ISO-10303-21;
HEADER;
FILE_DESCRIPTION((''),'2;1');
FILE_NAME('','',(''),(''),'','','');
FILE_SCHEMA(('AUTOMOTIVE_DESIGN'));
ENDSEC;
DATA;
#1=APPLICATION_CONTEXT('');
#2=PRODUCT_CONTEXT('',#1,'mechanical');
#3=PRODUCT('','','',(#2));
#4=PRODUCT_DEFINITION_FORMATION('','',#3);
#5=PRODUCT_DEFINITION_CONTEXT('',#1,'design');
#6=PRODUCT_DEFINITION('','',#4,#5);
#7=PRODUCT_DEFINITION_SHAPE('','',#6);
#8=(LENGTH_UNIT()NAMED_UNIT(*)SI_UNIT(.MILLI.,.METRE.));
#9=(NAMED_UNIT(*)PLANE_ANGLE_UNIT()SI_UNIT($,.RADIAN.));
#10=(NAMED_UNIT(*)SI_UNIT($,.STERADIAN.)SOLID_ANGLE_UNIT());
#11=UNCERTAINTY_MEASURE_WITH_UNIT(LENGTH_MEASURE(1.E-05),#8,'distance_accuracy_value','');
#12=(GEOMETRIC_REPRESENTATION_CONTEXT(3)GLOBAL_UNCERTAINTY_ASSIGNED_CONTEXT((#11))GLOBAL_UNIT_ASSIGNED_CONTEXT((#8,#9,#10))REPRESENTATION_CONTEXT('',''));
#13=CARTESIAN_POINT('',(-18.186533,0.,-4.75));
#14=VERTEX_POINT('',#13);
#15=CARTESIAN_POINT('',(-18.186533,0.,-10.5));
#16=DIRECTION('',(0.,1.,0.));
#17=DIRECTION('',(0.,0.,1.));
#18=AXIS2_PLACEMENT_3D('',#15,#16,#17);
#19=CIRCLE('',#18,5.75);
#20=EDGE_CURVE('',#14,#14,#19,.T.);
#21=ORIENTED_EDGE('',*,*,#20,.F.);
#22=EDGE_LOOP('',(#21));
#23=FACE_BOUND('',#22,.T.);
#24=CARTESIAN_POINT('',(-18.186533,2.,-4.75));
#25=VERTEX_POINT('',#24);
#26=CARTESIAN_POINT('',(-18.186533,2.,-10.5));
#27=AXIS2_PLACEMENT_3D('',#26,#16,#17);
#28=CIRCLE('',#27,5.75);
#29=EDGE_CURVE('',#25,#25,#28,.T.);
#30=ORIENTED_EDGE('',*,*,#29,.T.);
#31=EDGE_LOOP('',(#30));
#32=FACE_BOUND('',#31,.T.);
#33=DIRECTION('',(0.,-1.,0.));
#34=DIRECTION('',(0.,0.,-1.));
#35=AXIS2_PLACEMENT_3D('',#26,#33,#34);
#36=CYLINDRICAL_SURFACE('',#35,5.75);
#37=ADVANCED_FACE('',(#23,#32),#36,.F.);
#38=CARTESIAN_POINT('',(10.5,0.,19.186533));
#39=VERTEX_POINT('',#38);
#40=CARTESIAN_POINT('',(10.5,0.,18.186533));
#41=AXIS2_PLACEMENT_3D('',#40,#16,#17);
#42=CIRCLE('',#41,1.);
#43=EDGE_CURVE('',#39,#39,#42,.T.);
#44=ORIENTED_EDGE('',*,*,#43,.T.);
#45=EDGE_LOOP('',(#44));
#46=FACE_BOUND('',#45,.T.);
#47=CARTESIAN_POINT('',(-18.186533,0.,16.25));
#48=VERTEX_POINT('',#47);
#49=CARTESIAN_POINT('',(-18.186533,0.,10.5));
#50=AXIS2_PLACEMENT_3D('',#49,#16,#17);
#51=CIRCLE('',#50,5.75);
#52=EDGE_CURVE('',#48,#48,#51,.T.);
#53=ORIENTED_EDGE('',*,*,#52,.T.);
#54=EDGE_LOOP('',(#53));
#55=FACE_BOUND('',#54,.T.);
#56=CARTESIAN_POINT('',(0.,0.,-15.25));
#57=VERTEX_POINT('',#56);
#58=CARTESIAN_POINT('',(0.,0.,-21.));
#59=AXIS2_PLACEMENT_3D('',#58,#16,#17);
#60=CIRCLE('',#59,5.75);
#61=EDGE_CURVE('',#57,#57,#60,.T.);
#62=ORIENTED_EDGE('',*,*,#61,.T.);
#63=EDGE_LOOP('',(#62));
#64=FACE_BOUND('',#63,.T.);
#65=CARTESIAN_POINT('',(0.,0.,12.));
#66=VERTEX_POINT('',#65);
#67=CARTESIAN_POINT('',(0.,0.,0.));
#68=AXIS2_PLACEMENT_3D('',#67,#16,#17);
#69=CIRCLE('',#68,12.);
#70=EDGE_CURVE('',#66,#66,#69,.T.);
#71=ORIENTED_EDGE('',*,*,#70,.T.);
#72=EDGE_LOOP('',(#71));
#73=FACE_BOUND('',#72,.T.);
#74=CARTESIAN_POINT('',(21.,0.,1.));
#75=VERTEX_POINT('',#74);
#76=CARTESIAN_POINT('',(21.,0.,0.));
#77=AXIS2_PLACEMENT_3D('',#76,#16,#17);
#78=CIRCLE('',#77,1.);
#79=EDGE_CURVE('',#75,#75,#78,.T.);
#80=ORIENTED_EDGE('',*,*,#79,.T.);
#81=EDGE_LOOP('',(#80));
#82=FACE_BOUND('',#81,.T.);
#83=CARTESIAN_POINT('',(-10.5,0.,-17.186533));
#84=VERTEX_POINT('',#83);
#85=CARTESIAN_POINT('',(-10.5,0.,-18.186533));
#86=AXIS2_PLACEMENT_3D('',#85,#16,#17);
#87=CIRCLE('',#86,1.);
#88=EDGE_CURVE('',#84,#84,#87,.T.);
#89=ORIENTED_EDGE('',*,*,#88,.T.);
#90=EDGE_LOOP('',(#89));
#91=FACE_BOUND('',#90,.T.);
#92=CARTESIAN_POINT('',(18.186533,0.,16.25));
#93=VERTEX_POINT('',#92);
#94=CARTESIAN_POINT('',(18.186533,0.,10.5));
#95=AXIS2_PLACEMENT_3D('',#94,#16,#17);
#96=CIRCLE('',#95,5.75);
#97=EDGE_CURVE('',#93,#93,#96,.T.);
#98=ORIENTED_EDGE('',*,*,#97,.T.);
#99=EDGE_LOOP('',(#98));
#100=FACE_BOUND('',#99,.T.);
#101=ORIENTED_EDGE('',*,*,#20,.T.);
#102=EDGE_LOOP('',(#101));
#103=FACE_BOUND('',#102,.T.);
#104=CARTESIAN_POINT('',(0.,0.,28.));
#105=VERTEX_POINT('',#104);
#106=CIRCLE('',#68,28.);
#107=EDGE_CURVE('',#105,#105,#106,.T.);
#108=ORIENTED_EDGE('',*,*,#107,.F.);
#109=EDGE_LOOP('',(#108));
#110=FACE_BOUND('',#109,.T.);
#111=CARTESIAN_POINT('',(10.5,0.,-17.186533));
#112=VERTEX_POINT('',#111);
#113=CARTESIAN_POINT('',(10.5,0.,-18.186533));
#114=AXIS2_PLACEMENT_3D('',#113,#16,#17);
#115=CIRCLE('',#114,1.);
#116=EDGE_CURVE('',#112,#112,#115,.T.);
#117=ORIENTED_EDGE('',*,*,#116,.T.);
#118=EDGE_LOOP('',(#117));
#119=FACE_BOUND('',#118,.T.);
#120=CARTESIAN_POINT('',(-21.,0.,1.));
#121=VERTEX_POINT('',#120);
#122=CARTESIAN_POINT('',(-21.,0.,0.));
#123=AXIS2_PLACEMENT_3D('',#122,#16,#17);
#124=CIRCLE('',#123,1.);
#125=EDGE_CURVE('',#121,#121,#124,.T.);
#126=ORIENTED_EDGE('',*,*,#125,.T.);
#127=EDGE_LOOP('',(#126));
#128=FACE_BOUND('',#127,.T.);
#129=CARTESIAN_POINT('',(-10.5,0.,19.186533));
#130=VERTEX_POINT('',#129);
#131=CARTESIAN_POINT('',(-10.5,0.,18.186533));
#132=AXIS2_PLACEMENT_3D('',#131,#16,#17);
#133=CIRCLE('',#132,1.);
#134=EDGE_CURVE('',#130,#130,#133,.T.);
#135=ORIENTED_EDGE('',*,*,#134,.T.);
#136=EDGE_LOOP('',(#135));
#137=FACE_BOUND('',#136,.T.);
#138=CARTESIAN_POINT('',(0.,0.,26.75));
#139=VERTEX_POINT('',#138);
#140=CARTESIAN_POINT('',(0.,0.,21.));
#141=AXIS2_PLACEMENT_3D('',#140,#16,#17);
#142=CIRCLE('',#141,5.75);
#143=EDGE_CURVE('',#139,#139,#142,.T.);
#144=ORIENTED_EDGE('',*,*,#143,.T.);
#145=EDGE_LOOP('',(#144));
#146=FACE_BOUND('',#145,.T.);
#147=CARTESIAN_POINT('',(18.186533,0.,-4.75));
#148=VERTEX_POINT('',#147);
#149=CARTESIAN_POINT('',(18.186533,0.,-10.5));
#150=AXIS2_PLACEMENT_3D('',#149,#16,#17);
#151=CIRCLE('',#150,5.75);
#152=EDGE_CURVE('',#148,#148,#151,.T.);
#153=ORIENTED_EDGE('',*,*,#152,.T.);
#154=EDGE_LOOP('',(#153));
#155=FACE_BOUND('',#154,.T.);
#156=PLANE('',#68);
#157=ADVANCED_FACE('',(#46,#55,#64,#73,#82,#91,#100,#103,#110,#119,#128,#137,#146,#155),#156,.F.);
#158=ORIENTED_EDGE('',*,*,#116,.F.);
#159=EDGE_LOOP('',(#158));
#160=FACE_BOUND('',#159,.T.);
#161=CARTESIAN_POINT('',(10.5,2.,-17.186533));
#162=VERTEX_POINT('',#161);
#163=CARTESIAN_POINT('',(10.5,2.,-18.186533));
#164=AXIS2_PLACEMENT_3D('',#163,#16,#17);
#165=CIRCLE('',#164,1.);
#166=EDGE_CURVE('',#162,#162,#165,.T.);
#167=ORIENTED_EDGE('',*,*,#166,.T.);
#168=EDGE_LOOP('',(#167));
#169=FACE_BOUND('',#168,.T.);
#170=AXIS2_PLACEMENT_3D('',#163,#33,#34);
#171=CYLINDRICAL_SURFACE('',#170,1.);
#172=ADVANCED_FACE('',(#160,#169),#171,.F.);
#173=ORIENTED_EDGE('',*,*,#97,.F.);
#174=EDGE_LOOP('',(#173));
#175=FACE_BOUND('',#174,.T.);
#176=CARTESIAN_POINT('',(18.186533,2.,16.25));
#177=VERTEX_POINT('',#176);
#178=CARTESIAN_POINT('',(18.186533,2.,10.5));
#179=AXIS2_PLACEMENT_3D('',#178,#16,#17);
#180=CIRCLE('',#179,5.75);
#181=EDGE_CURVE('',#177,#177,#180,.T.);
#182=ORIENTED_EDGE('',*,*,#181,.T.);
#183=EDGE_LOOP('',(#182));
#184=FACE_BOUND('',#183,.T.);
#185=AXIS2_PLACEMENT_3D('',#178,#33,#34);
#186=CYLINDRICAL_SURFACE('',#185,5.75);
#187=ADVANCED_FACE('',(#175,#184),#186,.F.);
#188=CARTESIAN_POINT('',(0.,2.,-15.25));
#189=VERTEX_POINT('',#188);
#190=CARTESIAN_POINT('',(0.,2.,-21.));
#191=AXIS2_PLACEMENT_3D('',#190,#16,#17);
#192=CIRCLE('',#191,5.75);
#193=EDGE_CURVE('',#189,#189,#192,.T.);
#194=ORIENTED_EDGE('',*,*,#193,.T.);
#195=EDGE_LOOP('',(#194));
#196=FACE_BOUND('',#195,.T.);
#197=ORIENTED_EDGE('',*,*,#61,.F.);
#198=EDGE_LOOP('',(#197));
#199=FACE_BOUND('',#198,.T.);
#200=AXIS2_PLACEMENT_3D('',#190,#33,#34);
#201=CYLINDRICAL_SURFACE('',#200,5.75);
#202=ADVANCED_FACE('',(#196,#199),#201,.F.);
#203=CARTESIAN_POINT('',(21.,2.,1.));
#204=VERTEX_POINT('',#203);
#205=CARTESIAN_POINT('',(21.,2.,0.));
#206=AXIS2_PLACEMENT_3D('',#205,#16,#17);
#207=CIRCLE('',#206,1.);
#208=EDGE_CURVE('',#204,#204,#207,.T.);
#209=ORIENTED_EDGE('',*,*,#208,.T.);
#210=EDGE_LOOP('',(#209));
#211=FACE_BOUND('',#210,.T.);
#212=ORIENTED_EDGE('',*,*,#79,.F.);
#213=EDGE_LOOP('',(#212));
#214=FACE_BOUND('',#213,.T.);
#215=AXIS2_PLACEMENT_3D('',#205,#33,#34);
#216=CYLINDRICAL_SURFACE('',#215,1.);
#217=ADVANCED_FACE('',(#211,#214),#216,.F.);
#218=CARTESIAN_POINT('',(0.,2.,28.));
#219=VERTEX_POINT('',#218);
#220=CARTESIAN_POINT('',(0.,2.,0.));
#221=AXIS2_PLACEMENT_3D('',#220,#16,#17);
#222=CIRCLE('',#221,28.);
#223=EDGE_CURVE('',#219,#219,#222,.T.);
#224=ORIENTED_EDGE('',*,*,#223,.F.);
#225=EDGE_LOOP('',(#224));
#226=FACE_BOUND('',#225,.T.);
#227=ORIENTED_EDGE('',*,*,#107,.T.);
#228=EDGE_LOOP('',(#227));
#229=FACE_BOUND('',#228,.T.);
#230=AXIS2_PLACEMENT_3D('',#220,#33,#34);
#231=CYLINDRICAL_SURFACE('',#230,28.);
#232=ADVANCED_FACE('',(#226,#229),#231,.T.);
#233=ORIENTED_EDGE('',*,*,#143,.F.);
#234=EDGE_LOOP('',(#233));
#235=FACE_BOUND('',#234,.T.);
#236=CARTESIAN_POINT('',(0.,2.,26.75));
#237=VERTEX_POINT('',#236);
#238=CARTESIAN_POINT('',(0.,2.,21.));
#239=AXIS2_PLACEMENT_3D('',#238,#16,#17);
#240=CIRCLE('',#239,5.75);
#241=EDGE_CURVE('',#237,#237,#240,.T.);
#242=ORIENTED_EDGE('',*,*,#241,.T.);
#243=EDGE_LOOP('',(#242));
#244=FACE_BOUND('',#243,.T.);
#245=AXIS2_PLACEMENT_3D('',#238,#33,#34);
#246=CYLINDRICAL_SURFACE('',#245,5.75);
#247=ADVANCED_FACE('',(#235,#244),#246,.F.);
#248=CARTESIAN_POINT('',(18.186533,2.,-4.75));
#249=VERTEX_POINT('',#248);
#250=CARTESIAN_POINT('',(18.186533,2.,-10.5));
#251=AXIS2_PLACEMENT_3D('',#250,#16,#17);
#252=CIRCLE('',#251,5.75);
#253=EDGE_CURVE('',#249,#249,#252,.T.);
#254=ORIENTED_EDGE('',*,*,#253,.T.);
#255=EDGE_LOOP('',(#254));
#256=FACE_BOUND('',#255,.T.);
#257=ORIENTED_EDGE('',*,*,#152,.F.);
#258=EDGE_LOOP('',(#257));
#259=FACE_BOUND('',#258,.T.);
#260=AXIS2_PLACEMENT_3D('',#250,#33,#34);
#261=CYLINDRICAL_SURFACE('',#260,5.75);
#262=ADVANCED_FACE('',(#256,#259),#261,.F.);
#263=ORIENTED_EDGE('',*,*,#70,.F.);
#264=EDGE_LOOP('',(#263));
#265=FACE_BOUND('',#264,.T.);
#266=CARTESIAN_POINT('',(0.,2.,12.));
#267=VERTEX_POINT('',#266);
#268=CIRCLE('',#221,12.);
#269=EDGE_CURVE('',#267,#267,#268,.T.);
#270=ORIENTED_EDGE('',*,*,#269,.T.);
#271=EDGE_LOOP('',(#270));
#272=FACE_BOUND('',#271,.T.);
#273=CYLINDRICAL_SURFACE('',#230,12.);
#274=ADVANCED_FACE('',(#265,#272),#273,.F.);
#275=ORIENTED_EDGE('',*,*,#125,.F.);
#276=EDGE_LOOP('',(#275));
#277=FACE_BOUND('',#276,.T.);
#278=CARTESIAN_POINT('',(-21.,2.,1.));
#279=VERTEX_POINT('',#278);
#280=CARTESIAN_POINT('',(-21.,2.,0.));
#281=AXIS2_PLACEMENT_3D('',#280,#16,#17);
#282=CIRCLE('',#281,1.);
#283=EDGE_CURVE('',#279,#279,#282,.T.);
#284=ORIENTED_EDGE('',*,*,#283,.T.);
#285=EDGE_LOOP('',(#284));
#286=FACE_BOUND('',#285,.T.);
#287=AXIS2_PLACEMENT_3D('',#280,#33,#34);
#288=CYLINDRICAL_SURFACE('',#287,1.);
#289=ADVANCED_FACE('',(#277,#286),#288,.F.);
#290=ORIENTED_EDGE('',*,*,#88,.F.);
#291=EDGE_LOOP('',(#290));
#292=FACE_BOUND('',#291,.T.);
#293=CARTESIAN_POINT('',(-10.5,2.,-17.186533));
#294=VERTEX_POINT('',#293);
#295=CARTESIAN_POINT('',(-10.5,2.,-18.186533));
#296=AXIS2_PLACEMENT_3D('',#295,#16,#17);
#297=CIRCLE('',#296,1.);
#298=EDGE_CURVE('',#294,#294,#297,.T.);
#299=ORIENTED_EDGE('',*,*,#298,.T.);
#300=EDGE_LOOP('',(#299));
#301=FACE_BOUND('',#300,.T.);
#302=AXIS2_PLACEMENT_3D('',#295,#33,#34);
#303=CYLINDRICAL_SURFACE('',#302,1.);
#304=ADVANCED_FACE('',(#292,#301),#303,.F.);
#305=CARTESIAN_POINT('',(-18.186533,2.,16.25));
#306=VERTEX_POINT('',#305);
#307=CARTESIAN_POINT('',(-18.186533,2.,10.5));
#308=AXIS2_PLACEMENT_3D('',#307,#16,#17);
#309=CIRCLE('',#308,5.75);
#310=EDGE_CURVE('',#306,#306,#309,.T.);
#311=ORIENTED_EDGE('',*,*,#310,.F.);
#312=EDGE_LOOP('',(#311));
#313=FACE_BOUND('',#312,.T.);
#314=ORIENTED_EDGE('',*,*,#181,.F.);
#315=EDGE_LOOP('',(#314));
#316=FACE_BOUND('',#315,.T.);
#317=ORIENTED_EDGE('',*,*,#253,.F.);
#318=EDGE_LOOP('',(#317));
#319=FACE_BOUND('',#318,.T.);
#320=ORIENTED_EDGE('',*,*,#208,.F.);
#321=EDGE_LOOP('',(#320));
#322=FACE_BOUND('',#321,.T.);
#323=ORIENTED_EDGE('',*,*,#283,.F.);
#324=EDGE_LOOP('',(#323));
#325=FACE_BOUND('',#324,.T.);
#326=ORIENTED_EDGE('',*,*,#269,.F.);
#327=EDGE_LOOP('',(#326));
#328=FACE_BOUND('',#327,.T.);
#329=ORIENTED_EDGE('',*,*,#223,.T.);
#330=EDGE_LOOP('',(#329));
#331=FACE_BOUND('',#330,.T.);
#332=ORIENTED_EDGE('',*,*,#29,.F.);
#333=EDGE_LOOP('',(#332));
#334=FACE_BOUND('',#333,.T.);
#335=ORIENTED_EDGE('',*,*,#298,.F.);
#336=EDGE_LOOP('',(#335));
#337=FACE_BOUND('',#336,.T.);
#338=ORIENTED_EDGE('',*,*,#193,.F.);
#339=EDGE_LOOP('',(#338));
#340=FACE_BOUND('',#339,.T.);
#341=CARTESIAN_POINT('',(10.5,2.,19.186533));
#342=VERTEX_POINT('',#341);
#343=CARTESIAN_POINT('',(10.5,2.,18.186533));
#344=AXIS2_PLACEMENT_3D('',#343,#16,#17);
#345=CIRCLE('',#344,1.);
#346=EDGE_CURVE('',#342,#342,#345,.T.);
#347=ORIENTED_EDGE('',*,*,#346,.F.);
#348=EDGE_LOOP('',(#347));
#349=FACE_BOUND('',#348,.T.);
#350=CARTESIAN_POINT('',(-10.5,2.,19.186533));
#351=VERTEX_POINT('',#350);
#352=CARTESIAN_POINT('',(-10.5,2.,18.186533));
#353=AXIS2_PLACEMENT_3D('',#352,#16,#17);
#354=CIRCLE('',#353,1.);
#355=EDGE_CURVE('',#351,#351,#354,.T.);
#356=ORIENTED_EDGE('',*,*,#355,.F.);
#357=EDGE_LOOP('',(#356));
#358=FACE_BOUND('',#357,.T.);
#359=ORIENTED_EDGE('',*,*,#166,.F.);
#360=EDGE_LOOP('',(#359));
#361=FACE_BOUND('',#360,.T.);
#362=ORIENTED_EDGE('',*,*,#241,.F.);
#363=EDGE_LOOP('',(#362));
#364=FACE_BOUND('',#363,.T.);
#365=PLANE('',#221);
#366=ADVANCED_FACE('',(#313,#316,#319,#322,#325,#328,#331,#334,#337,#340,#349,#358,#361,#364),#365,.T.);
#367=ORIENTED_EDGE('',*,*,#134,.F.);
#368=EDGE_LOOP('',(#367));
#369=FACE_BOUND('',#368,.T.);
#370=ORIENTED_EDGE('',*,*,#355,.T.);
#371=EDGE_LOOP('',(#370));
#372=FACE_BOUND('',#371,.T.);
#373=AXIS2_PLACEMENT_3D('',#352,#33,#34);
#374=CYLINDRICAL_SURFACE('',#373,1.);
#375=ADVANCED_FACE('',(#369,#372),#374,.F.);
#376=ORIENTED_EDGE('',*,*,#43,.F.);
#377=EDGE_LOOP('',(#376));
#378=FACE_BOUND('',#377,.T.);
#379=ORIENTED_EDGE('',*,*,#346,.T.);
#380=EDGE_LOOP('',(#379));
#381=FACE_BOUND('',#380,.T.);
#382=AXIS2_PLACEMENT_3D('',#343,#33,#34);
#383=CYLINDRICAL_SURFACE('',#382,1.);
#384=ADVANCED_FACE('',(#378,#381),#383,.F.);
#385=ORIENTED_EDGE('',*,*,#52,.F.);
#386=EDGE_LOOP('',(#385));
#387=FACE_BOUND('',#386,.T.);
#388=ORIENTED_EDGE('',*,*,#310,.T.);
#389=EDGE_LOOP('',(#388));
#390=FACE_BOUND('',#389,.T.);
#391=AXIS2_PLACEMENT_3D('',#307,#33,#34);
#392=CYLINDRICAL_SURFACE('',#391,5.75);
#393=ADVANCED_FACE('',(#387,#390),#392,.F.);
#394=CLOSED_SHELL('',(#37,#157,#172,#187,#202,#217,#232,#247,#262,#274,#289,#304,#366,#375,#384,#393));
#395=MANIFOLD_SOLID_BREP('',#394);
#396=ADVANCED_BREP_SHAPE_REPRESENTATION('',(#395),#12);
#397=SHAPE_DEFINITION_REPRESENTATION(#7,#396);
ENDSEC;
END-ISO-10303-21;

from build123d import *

# Parameters (mm, degrees)
SKETCH1_R           = 28
SKETCH1_R_2         = 5.75
SKETCH1_R_3         = 1
SKETCH1_R_4         = 12
BOSS_EXTRUDE1_DEPTH = 2


with BuildPart() as part:
    # Sketch1 → Boss-Extrude1 (new body)
    with BuildSketch(Plane(origin=(0, 0, 0), x_dir=(1, 0, 0), z_dir=(0, 1, 0))):
        with Locations(Location((0, 0, 0), (0, 0, 270))):
            Circle(SKETCH1_R)
        with Locations(Location((0, 21, 0), (0, 0, 270))):
            Circle(SKETCH1_R_2, mode=Mode.SUBTRACT)
        with Locations(Location((18.186533479, 10.5, 0), (0, 0, 270))):
            Circle(SKETCH1_R_2, mode=Mode.SUBTRACT)
        with Locations(Location((18.186533479, -10.5, 0), (0, 0, 270))):
            Circle(SKETCH1_R_2, mode=Mode.SUBTRACT)
        with Locations(Location((0, -21, 0), (0, 0, 270))):
            Circle(SKETCH1_R_2, mode=Mode.SUBTRACT)
        with Locations(Location((-18.186533479, -10.5, 0), (0, 0, 270))):
            Circle(SKETCH1_R_2, mode=Mode.SUBTRACT)
        with Locations(Location((-18.186533479, 10.5, 0), (0, 0, 270))):
            Circle(SKETCH1_R_2, mode=Mode.SUBTRACT)
        with Locations(Location((10.5, 18.186533479, 0), (0, 0, 270))):
            Circle(SKETCH1_R_3, mode=Mode.SUBTRACT)
        with Locations(Location((21, 0, 0), (0, 0, 270))):
            Circle(SKETCH1_R_3, mode=Mode.SUBTRACT)
        with Locations(Location((10.5, -18.186533479, 0), (0, 0, 270))):
            Circle(SKETCH1_R_3, mode=Mode.SUBTRACT)
        with Locations(Location((-10.5, -18.186533479, 0), (0, 0, 270))):
            Circle(SKETCH1_R_3, mode=Mode.SUBTRACT)
        with Locations(Location((-21, 0, 0), (0, 0, 270))):
            Circle(SKETCH1_R_3, mode=Mode.SUBTRACT)
        with Locations(Location((-10.5, 18.186533479, 0), (0, 0, 270))):
            Circle(SKETCH1_R_3, mode=Mode.SUBTRACT)
        with Locations(Location((0, 0, 0), (0, 0, 270))):
            Circle(SKETCH1_R_4, mode=Mode.SUBTRACT)
    extrude(amount=BOSS_EXTRUDE1_DEPTH)


solid = part.part
